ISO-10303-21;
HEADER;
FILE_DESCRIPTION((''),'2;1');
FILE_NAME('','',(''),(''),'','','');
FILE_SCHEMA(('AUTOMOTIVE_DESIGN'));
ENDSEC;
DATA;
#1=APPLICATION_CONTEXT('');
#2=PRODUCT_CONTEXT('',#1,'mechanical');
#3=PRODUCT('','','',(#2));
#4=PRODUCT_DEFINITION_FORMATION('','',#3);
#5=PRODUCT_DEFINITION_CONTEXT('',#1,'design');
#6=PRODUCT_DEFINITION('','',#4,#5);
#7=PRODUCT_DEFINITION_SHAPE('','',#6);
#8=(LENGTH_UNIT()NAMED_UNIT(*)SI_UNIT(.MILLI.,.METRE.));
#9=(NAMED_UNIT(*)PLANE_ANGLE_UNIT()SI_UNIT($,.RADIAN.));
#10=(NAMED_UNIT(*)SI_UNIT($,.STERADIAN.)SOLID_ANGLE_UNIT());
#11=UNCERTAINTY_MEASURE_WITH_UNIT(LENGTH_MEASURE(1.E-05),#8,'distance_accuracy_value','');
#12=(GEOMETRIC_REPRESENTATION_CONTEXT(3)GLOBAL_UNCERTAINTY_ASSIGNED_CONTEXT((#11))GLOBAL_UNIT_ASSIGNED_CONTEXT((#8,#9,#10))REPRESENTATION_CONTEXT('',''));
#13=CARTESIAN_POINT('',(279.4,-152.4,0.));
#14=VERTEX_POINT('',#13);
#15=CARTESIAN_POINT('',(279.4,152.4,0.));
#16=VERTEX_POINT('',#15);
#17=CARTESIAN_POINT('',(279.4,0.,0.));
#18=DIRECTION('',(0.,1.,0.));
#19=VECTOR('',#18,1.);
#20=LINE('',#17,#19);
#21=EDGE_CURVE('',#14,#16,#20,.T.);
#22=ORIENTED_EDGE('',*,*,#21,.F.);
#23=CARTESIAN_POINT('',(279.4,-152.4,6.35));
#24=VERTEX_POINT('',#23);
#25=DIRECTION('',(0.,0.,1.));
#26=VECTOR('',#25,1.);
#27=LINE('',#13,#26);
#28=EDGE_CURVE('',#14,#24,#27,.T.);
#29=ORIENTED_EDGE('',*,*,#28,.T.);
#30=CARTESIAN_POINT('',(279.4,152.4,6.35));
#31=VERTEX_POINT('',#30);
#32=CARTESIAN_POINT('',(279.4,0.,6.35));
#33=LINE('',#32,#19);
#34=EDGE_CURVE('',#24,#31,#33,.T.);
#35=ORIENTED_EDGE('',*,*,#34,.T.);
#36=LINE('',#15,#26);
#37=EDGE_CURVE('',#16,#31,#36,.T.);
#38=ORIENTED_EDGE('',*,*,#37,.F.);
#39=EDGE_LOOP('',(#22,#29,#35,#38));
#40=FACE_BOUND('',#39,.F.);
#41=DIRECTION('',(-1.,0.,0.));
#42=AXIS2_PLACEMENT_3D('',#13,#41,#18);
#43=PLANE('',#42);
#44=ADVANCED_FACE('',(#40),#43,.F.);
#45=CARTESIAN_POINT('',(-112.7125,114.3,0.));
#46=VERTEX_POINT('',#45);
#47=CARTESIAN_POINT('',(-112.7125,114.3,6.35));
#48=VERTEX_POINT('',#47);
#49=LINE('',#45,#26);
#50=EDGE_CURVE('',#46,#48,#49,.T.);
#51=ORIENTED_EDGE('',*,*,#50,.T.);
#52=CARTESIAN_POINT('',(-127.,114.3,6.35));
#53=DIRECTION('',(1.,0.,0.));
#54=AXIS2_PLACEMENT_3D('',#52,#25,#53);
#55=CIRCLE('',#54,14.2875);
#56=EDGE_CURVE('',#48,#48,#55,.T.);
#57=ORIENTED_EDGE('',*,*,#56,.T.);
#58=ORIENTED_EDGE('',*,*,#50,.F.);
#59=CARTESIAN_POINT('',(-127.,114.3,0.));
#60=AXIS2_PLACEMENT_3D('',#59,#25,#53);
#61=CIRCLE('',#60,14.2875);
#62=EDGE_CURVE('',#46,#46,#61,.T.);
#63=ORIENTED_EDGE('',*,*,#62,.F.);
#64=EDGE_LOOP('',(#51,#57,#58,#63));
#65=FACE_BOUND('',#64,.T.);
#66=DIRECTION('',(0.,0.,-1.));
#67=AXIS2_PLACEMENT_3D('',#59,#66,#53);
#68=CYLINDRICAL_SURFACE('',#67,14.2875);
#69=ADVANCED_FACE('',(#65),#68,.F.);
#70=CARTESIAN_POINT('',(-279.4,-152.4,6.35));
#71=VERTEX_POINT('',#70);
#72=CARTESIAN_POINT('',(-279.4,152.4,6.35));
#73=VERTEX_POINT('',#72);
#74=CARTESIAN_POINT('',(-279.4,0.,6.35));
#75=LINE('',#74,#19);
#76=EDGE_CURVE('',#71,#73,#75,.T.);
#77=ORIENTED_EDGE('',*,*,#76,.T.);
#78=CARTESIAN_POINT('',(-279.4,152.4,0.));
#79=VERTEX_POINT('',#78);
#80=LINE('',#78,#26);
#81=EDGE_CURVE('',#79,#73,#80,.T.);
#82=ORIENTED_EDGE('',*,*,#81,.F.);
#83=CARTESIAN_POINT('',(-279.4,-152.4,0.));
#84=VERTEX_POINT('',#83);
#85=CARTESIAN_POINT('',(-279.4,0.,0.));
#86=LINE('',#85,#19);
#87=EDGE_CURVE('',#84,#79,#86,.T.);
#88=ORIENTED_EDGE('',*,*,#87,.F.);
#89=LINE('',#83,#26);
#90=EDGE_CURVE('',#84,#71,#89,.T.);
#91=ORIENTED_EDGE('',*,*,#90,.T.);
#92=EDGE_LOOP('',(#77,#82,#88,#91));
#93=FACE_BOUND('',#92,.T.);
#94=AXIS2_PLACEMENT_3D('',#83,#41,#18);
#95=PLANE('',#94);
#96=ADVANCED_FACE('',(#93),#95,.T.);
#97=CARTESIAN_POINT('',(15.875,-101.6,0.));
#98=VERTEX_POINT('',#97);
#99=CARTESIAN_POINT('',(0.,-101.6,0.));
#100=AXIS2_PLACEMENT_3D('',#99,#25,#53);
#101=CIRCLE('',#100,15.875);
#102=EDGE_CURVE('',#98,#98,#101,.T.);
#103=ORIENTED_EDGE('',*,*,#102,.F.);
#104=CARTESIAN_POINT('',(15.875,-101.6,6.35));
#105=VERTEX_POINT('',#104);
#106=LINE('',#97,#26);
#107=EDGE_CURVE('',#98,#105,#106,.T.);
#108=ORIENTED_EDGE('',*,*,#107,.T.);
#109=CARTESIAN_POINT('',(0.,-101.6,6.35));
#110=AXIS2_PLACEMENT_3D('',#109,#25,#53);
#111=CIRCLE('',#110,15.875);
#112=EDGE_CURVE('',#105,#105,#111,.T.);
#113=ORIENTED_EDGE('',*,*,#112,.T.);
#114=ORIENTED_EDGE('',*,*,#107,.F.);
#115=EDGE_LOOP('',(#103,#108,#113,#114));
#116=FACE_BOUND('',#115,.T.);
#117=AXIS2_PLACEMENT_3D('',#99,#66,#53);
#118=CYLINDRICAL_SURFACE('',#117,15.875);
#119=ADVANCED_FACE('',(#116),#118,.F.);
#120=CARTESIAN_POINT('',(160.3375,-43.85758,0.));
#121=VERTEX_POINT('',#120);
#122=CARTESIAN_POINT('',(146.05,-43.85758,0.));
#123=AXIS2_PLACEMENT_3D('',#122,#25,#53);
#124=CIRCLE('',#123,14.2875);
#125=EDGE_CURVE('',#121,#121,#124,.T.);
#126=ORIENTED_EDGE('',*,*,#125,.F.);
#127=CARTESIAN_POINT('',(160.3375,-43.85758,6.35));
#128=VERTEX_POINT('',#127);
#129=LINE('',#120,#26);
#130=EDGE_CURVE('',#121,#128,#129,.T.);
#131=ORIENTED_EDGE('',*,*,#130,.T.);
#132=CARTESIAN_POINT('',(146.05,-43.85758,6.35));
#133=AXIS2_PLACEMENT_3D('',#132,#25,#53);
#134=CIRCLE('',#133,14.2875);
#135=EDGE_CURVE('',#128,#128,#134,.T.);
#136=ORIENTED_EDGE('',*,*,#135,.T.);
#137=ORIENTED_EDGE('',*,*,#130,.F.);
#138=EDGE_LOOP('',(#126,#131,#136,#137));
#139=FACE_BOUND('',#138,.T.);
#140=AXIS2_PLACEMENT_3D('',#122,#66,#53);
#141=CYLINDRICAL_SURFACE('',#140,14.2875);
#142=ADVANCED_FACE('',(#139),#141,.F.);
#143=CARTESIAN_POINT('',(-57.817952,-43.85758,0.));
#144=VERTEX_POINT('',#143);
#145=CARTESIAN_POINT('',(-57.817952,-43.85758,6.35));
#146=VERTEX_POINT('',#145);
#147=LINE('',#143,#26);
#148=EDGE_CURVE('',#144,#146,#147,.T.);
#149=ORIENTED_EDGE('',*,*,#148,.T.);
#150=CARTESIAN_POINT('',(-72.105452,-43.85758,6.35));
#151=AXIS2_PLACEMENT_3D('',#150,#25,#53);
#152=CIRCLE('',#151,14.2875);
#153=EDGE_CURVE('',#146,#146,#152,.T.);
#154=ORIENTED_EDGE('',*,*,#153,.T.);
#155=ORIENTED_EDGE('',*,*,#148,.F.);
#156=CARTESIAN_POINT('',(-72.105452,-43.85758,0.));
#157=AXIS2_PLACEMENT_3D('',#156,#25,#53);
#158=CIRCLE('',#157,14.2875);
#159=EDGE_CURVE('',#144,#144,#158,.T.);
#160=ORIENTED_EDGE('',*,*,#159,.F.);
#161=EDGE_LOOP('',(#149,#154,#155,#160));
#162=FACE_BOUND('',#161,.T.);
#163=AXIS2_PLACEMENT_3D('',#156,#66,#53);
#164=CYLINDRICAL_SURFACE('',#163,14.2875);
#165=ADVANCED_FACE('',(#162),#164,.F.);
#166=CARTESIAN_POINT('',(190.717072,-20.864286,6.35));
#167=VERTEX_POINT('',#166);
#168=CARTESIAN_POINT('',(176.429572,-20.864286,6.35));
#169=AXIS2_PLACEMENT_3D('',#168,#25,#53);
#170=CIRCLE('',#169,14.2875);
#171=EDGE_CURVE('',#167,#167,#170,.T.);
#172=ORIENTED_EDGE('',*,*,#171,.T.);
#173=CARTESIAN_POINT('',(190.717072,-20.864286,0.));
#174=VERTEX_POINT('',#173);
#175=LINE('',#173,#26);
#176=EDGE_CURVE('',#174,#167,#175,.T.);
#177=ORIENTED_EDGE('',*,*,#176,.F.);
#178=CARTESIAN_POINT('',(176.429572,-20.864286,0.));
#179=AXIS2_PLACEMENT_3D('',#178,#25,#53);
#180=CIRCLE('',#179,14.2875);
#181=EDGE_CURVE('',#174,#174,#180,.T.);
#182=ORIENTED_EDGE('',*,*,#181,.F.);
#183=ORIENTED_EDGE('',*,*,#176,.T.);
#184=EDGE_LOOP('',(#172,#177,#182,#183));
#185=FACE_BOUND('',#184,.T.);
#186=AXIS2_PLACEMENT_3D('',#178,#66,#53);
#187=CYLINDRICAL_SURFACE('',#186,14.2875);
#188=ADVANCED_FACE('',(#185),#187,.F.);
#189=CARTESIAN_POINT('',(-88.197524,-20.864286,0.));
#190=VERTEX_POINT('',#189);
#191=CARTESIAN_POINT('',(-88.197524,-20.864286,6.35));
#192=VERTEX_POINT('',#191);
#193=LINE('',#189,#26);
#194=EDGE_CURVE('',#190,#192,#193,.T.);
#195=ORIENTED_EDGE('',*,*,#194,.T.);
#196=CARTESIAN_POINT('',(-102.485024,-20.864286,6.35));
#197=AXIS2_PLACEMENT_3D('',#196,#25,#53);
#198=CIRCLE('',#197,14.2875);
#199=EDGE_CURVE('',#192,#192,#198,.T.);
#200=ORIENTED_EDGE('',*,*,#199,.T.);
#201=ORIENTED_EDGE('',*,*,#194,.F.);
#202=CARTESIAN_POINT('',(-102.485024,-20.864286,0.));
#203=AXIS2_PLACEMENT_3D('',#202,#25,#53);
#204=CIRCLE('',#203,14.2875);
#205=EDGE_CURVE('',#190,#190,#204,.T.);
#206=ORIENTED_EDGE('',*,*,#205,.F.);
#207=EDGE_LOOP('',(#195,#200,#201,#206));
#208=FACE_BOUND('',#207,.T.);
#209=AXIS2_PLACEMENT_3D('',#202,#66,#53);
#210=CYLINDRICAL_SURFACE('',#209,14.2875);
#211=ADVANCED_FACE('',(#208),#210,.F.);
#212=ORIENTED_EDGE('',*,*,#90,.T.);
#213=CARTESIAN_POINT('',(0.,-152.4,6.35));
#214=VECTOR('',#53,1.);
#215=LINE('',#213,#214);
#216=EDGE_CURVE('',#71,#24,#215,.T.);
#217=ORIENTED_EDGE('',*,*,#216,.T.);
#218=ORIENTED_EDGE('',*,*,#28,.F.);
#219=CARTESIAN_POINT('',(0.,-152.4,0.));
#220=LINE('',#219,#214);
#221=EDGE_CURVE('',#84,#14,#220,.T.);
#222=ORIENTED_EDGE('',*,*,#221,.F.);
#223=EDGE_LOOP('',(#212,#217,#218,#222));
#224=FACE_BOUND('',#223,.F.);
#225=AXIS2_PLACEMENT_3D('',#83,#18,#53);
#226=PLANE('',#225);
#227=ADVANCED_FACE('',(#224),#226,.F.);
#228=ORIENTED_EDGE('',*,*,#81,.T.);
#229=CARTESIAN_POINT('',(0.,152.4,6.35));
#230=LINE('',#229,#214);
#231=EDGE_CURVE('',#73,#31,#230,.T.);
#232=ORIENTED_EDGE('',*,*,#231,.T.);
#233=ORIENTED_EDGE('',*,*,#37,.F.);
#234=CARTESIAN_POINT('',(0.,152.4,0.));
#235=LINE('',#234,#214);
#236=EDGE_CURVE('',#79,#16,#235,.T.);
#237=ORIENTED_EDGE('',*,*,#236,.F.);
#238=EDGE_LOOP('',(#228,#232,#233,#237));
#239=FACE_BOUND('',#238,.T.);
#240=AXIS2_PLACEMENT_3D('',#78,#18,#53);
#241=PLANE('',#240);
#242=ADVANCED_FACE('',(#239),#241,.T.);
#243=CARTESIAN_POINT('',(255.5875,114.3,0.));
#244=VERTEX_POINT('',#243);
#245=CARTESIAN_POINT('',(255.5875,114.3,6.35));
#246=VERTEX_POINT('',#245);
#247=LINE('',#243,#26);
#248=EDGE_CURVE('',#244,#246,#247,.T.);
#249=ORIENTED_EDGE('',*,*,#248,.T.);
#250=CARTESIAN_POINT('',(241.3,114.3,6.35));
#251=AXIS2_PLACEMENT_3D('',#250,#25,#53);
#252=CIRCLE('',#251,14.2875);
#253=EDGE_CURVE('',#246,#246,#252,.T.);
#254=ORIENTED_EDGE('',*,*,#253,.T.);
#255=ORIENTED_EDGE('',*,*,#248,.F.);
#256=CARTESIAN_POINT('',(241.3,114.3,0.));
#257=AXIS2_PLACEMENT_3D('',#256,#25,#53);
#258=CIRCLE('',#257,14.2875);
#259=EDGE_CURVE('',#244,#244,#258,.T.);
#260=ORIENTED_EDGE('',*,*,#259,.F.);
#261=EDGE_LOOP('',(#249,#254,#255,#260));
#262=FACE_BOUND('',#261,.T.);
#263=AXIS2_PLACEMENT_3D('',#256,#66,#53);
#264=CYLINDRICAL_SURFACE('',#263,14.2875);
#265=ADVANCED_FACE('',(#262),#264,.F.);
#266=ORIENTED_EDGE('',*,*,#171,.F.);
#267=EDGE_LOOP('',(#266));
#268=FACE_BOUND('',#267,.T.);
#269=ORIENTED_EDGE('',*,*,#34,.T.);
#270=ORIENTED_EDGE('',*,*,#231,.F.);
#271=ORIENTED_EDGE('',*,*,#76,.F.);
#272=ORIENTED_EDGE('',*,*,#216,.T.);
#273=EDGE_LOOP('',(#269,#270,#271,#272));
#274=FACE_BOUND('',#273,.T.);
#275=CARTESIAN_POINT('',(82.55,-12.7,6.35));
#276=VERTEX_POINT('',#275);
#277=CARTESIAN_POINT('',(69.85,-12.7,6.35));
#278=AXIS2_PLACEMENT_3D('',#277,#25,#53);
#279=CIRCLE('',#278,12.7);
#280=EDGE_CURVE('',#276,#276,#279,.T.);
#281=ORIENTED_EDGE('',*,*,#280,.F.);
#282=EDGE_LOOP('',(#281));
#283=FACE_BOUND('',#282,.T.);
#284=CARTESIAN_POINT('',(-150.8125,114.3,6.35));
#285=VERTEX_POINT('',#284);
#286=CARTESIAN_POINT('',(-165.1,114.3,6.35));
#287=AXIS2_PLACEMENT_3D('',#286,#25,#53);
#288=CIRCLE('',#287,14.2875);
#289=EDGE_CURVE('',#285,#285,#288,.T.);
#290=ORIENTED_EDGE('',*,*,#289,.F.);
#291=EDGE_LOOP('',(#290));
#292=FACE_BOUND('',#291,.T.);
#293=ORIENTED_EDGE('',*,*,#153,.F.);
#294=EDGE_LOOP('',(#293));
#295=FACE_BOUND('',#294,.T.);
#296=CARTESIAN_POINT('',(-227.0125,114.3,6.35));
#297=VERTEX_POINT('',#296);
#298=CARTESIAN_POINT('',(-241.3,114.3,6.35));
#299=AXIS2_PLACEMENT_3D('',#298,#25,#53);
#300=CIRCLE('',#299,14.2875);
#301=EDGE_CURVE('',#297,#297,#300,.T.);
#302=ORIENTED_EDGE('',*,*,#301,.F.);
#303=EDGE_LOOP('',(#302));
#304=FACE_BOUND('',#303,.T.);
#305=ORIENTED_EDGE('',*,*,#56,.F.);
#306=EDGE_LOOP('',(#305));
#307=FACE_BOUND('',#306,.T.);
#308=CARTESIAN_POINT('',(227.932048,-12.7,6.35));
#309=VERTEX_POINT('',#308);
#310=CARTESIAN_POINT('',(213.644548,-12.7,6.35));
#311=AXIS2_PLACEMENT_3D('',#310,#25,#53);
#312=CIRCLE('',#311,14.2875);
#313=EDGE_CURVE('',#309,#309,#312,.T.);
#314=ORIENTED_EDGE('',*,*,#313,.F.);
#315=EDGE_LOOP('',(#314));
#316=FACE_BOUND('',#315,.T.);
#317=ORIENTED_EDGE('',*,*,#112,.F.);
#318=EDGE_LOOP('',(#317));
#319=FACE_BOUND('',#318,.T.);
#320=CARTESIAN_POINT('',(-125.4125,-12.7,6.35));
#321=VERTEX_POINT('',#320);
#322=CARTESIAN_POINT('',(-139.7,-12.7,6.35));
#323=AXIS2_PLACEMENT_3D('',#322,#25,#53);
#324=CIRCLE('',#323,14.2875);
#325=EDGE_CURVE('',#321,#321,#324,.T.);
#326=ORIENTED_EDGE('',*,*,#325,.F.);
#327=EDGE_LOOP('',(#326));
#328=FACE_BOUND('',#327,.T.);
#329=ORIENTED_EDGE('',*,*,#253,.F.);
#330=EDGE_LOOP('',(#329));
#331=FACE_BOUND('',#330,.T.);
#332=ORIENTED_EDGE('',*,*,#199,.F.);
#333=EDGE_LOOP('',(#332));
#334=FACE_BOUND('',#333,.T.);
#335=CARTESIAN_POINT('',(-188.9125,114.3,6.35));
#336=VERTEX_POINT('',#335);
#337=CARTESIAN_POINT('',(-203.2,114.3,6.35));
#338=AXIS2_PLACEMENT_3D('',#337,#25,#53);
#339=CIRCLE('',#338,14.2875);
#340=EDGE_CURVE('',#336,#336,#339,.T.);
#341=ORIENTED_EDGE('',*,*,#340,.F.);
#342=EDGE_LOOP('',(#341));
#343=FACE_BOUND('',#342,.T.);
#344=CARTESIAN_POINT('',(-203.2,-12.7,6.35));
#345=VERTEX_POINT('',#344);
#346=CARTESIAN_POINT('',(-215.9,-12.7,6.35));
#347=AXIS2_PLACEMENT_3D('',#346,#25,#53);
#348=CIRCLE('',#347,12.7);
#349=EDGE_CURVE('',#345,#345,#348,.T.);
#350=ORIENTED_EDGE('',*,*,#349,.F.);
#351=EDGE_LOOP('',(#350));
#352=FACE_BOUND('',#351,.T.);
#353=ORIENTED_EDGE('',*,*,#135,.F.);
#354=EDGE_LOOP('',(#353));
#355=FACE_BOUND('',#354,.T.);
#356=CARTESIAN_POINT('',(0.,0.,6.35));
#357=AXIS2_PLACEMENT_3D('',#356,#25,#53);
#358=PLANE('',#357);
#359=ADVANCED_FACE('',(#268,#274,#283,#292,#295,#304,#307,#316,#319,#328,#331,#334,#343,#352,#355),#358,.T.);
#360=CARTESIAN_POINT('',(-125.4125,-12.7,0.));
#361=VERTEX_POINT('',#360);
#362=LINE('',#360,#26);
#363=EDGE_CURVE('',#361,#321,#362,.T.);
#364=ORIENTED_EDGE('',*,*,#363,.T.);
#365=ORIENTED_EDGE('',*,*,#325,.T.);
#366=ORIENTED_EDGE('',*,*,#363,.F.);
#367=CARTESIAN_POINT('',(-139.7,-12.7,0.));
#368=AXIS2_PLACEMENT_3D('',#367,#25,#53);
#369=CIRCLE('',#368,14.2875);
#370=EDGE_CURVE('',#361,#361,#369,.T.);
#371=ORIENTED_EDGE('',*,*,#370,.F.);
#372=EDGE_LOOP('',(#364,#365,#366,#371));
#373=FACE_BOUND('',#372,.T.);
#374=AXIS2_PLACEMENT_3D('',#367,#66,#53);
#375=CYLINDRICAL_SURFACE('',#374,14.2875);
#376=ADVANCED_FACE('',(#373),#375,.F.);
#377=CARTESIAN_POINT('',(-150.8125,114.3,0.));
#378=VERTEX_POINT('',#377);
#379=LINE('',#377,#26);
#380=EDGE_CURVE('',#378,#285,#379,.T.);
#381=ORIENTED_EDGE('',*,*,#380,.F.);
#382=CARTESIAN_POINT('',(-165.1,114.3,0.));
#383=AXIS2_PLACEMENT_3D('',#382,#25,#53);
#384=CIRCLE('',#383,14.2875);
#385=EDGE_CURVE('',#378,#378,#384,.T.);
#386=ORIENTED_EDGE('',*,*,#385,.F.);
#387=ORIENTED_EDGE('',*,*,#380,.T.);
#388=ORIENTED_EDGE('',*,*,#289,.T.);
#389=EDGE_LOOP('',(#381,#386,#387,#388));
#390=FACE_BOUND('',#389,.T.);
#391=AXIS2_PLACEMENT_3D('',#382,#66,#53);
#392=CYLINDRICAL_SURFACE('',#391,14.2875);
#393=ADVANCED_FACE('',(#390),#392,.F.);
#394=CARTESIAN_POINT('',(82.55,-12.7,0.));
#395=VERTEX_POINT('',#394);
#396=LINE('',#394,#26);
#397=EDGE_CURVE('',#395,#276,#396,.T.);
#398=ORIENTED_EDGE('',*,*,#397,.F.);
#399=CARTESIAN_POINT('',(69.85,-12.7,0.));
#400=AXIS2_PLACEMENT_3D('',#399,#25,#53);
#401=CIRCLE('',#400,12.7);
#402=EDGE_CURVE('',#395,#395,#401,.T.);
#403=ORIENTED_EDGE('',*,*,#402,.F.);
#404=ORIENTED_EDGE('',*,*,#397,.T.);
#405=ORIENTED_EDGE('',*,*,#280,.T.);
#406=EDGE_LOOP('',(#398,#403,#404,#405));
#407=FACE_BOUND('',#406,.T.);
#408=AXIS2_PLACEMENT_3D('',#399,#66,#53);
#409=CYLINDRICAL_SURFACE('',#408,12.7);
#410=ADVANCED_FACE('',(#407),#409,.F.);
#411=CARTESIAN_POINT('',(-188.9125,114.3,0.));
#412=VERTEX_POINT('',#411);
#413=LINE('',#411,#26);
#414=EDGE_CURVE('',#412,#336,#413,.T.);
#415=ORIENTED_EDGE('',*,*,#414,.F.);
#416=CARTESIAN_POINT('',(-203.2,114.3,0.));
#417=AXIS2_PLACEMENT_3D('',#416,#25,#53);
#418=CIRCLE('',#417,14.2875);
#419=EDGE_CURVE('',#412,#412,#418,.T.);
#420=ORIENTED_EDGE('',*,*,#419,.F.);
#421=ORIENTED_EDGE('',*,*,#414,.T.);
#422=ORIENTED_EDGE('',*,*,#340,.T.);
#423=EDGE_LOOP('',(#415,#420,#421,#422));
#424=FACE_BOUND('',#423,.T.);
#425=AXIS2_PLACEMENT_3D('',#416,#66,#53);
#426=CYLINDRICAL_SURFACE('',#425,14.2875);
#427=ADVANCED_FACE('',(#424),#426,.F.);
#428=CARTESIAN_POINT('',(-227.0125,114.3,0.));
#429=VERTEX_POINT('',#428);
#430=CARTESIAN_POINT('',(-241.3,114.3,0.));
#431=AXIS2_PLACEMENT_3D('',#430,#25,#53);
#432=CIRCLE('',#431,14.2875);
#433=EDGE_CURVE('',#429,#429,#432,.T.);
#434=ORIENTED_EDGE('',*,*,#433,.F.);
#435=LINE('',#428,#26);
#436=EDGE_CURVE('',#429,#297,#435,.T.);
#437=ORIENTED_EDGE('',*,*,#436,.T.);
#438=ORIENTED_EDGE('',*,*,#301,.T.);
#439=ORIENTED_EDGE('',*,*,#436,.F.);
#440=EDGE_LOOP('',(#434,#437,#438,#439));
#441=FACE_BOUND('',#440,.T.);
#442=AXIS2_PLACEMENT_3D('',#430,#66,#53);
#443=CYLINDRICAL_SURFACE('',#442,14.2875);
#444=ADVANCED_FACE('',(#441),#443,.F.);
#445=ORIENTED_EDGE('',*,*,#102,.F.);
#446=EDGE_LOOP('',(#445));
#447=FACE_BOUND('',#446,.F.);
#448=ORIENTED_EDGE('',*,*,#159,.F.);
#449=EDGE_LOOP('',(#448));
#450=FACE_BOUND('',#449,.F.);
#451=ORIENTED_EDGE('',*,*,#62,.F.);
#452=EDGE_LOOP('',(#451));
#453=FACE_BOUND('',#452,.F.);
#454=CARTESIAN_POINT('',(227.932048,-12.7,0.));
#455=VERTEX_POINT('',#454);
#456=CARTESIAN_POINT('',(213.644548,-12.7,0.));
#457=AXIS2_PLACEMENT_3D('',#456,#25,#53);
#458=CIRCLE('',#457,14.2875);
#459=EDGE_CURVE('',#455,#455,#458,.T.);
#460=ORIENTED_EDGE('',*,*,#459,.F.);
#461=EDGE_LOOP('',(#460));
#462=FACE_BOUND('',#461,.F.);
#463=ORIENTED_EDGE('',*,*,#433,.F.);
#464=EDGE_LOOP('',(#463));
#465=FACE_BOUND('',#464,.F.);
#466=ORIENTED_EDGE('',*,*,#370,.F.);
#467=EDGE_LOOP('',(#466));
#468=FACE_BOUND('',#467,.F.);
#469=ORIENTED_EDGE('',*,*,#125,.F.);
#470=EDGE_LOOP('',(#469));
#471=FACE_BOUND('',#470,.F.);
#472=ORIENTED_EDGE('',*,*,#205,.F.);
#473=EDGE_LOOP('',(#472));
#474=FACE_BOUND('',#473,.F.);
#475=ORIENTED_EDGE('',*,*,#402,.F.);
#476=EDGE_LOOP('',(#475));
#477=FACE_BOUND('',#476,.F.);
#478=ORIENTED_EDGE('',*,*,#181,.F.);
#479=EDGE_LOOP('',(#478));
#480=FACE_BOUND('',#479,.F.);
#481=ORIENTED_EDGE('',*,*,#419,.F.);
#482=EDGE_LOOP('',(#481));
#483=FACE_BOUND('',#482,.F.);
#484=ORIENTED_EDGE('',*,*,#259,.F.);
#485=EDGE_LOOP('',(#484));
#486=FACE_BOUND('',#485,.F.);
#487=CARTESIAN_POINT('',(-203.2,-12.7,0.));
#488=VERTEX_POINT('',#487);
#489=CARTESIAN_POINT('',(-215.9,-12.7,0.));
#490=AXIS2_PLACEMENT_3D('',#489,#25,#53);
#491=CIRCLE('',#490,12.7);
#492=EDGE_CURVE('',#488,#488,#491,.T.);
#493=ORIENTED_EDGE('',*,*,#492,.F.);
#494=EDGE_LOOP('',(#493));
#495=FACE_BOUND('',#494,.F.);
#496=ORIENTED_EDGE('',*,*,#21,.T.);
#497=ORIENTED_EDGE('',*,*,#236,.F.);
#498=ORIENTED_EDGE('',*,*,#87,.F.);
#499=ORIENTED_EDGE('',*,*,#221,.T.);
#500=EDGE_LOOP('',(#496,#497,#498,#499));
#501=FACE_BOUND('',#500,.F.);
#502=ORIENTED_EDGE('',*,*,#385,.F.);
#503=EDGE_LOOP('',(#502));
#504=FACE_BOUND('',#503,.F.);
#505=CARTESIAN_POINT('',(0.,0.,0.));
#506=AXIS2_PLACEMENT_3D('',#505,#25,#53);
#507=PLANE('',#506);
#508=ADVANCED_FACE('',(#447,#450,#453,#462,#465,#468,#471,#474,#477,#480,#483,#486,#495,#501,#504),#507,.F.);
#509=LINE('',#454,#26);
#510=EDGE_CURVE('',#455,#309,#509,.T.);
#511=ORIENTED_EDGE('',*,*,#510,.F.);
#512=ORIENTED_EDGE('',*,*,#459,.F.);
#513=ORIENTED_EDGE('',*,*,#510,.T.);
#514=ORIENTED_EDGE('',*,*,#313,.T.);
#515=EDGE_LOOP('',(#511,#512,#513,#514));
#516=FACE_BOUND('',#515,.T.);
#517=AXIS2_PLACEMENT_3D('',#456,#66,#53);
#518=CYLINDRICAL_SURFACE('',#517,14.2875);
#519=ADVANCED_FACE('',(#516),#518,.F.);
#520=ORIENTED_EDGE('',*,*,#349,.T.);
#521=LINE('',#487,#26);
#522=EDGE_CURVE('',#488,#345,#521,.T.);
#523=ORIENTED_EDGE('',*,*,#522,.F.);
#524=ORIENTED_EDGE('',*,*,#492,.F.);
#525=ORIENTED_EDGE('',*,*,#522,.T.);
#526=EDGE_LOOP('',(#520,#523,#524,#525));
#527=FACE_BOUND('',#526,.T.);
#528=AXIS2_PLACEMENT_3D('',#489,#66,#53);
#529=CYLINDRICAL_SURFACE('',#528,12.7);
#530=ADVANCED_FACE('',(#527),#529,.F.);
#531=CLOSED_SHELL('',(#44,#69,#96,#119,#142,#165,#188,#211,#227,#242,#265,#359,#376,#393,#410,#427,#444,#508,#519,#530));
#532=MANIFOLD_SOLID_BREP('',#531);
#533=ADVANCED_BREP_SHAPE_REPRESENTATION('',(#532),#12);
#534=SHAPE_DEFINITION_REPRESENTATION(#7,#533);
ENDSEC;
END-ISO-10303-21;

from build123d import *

# Parameters (mm, degrees)
SKETCH_W   = 558.8
SKETCH_H   = 304.8
SKETCH_R   = 14.2875
SKETCH_R_2 = 15.875
SKETCH_R_3 = 12.7
PAD_DEPTH  = 6.35


with BuildPart() as part:
    # Sketch → Pad (new body)
    with BuildSketch(Plane.XY):
        Rectangle(SKETCH_W, SKETCH_H)
        with Locations((-241.3, 114.3)):
            Circle(SKETCH_R, mode=Mode.SUBTRACT)
        with Locations((-203.2, 114.3)):
            Circle(SKETCH_R, mode=Mode.SUBTRACT)
        with Locations((-127, 114.3)):
            Circle(SKETCH_R, mode=Mode.SUBTRACT)
        with Locations((-165.1, 114.3)):
            Circle(SKETCH_R, mode=Mode.SUBTRACT)
        with Locations((241.3, 114.3)):
            Circle(SKETCH_R, mode=Mode.SUBTRACT)
        with Locations((0, -101.6)):
            Circle(SKETCH_R_2, mode=Mode.SUBTRACT)
        with Locations((-215.9, -12.7)):
            Circle(SKETCH_R_3, mode=Mode.SUBTRACT)
        with Locations((69.85, -12.7)):
            Circle(SKETCH_R_3, mode=Mode.SUBTRACT)
        with Locations((-139.7, -12.7)):
            Circle(SKETCH_R, mode=Mode.SUBTRACT)
        with Locations((-102.485024, -20.864286)):
            Circle(SKETCH_R, mode=Mode.SUBTRACT)
        with Locations((-72.105452, -43.85758)):
            Circle(SKETCH_R, mode=Mode.SUBTRACT)
        with Locations((146.05, -43.85758)):
            Circle(SKETCH_R, mode=Mode.SUBTRACT)
        with Locations((176.429572, -20.864286)):
            Circle(SKETCH_R, mode=Mode.SUBTRACT)
        with Locations((213.644548, -12.7)):
            Circle(SKETCH_R, mode=Mode.SUBTRACT)
    extrude(amount=PAD_DEPTH)


solid = part.part
